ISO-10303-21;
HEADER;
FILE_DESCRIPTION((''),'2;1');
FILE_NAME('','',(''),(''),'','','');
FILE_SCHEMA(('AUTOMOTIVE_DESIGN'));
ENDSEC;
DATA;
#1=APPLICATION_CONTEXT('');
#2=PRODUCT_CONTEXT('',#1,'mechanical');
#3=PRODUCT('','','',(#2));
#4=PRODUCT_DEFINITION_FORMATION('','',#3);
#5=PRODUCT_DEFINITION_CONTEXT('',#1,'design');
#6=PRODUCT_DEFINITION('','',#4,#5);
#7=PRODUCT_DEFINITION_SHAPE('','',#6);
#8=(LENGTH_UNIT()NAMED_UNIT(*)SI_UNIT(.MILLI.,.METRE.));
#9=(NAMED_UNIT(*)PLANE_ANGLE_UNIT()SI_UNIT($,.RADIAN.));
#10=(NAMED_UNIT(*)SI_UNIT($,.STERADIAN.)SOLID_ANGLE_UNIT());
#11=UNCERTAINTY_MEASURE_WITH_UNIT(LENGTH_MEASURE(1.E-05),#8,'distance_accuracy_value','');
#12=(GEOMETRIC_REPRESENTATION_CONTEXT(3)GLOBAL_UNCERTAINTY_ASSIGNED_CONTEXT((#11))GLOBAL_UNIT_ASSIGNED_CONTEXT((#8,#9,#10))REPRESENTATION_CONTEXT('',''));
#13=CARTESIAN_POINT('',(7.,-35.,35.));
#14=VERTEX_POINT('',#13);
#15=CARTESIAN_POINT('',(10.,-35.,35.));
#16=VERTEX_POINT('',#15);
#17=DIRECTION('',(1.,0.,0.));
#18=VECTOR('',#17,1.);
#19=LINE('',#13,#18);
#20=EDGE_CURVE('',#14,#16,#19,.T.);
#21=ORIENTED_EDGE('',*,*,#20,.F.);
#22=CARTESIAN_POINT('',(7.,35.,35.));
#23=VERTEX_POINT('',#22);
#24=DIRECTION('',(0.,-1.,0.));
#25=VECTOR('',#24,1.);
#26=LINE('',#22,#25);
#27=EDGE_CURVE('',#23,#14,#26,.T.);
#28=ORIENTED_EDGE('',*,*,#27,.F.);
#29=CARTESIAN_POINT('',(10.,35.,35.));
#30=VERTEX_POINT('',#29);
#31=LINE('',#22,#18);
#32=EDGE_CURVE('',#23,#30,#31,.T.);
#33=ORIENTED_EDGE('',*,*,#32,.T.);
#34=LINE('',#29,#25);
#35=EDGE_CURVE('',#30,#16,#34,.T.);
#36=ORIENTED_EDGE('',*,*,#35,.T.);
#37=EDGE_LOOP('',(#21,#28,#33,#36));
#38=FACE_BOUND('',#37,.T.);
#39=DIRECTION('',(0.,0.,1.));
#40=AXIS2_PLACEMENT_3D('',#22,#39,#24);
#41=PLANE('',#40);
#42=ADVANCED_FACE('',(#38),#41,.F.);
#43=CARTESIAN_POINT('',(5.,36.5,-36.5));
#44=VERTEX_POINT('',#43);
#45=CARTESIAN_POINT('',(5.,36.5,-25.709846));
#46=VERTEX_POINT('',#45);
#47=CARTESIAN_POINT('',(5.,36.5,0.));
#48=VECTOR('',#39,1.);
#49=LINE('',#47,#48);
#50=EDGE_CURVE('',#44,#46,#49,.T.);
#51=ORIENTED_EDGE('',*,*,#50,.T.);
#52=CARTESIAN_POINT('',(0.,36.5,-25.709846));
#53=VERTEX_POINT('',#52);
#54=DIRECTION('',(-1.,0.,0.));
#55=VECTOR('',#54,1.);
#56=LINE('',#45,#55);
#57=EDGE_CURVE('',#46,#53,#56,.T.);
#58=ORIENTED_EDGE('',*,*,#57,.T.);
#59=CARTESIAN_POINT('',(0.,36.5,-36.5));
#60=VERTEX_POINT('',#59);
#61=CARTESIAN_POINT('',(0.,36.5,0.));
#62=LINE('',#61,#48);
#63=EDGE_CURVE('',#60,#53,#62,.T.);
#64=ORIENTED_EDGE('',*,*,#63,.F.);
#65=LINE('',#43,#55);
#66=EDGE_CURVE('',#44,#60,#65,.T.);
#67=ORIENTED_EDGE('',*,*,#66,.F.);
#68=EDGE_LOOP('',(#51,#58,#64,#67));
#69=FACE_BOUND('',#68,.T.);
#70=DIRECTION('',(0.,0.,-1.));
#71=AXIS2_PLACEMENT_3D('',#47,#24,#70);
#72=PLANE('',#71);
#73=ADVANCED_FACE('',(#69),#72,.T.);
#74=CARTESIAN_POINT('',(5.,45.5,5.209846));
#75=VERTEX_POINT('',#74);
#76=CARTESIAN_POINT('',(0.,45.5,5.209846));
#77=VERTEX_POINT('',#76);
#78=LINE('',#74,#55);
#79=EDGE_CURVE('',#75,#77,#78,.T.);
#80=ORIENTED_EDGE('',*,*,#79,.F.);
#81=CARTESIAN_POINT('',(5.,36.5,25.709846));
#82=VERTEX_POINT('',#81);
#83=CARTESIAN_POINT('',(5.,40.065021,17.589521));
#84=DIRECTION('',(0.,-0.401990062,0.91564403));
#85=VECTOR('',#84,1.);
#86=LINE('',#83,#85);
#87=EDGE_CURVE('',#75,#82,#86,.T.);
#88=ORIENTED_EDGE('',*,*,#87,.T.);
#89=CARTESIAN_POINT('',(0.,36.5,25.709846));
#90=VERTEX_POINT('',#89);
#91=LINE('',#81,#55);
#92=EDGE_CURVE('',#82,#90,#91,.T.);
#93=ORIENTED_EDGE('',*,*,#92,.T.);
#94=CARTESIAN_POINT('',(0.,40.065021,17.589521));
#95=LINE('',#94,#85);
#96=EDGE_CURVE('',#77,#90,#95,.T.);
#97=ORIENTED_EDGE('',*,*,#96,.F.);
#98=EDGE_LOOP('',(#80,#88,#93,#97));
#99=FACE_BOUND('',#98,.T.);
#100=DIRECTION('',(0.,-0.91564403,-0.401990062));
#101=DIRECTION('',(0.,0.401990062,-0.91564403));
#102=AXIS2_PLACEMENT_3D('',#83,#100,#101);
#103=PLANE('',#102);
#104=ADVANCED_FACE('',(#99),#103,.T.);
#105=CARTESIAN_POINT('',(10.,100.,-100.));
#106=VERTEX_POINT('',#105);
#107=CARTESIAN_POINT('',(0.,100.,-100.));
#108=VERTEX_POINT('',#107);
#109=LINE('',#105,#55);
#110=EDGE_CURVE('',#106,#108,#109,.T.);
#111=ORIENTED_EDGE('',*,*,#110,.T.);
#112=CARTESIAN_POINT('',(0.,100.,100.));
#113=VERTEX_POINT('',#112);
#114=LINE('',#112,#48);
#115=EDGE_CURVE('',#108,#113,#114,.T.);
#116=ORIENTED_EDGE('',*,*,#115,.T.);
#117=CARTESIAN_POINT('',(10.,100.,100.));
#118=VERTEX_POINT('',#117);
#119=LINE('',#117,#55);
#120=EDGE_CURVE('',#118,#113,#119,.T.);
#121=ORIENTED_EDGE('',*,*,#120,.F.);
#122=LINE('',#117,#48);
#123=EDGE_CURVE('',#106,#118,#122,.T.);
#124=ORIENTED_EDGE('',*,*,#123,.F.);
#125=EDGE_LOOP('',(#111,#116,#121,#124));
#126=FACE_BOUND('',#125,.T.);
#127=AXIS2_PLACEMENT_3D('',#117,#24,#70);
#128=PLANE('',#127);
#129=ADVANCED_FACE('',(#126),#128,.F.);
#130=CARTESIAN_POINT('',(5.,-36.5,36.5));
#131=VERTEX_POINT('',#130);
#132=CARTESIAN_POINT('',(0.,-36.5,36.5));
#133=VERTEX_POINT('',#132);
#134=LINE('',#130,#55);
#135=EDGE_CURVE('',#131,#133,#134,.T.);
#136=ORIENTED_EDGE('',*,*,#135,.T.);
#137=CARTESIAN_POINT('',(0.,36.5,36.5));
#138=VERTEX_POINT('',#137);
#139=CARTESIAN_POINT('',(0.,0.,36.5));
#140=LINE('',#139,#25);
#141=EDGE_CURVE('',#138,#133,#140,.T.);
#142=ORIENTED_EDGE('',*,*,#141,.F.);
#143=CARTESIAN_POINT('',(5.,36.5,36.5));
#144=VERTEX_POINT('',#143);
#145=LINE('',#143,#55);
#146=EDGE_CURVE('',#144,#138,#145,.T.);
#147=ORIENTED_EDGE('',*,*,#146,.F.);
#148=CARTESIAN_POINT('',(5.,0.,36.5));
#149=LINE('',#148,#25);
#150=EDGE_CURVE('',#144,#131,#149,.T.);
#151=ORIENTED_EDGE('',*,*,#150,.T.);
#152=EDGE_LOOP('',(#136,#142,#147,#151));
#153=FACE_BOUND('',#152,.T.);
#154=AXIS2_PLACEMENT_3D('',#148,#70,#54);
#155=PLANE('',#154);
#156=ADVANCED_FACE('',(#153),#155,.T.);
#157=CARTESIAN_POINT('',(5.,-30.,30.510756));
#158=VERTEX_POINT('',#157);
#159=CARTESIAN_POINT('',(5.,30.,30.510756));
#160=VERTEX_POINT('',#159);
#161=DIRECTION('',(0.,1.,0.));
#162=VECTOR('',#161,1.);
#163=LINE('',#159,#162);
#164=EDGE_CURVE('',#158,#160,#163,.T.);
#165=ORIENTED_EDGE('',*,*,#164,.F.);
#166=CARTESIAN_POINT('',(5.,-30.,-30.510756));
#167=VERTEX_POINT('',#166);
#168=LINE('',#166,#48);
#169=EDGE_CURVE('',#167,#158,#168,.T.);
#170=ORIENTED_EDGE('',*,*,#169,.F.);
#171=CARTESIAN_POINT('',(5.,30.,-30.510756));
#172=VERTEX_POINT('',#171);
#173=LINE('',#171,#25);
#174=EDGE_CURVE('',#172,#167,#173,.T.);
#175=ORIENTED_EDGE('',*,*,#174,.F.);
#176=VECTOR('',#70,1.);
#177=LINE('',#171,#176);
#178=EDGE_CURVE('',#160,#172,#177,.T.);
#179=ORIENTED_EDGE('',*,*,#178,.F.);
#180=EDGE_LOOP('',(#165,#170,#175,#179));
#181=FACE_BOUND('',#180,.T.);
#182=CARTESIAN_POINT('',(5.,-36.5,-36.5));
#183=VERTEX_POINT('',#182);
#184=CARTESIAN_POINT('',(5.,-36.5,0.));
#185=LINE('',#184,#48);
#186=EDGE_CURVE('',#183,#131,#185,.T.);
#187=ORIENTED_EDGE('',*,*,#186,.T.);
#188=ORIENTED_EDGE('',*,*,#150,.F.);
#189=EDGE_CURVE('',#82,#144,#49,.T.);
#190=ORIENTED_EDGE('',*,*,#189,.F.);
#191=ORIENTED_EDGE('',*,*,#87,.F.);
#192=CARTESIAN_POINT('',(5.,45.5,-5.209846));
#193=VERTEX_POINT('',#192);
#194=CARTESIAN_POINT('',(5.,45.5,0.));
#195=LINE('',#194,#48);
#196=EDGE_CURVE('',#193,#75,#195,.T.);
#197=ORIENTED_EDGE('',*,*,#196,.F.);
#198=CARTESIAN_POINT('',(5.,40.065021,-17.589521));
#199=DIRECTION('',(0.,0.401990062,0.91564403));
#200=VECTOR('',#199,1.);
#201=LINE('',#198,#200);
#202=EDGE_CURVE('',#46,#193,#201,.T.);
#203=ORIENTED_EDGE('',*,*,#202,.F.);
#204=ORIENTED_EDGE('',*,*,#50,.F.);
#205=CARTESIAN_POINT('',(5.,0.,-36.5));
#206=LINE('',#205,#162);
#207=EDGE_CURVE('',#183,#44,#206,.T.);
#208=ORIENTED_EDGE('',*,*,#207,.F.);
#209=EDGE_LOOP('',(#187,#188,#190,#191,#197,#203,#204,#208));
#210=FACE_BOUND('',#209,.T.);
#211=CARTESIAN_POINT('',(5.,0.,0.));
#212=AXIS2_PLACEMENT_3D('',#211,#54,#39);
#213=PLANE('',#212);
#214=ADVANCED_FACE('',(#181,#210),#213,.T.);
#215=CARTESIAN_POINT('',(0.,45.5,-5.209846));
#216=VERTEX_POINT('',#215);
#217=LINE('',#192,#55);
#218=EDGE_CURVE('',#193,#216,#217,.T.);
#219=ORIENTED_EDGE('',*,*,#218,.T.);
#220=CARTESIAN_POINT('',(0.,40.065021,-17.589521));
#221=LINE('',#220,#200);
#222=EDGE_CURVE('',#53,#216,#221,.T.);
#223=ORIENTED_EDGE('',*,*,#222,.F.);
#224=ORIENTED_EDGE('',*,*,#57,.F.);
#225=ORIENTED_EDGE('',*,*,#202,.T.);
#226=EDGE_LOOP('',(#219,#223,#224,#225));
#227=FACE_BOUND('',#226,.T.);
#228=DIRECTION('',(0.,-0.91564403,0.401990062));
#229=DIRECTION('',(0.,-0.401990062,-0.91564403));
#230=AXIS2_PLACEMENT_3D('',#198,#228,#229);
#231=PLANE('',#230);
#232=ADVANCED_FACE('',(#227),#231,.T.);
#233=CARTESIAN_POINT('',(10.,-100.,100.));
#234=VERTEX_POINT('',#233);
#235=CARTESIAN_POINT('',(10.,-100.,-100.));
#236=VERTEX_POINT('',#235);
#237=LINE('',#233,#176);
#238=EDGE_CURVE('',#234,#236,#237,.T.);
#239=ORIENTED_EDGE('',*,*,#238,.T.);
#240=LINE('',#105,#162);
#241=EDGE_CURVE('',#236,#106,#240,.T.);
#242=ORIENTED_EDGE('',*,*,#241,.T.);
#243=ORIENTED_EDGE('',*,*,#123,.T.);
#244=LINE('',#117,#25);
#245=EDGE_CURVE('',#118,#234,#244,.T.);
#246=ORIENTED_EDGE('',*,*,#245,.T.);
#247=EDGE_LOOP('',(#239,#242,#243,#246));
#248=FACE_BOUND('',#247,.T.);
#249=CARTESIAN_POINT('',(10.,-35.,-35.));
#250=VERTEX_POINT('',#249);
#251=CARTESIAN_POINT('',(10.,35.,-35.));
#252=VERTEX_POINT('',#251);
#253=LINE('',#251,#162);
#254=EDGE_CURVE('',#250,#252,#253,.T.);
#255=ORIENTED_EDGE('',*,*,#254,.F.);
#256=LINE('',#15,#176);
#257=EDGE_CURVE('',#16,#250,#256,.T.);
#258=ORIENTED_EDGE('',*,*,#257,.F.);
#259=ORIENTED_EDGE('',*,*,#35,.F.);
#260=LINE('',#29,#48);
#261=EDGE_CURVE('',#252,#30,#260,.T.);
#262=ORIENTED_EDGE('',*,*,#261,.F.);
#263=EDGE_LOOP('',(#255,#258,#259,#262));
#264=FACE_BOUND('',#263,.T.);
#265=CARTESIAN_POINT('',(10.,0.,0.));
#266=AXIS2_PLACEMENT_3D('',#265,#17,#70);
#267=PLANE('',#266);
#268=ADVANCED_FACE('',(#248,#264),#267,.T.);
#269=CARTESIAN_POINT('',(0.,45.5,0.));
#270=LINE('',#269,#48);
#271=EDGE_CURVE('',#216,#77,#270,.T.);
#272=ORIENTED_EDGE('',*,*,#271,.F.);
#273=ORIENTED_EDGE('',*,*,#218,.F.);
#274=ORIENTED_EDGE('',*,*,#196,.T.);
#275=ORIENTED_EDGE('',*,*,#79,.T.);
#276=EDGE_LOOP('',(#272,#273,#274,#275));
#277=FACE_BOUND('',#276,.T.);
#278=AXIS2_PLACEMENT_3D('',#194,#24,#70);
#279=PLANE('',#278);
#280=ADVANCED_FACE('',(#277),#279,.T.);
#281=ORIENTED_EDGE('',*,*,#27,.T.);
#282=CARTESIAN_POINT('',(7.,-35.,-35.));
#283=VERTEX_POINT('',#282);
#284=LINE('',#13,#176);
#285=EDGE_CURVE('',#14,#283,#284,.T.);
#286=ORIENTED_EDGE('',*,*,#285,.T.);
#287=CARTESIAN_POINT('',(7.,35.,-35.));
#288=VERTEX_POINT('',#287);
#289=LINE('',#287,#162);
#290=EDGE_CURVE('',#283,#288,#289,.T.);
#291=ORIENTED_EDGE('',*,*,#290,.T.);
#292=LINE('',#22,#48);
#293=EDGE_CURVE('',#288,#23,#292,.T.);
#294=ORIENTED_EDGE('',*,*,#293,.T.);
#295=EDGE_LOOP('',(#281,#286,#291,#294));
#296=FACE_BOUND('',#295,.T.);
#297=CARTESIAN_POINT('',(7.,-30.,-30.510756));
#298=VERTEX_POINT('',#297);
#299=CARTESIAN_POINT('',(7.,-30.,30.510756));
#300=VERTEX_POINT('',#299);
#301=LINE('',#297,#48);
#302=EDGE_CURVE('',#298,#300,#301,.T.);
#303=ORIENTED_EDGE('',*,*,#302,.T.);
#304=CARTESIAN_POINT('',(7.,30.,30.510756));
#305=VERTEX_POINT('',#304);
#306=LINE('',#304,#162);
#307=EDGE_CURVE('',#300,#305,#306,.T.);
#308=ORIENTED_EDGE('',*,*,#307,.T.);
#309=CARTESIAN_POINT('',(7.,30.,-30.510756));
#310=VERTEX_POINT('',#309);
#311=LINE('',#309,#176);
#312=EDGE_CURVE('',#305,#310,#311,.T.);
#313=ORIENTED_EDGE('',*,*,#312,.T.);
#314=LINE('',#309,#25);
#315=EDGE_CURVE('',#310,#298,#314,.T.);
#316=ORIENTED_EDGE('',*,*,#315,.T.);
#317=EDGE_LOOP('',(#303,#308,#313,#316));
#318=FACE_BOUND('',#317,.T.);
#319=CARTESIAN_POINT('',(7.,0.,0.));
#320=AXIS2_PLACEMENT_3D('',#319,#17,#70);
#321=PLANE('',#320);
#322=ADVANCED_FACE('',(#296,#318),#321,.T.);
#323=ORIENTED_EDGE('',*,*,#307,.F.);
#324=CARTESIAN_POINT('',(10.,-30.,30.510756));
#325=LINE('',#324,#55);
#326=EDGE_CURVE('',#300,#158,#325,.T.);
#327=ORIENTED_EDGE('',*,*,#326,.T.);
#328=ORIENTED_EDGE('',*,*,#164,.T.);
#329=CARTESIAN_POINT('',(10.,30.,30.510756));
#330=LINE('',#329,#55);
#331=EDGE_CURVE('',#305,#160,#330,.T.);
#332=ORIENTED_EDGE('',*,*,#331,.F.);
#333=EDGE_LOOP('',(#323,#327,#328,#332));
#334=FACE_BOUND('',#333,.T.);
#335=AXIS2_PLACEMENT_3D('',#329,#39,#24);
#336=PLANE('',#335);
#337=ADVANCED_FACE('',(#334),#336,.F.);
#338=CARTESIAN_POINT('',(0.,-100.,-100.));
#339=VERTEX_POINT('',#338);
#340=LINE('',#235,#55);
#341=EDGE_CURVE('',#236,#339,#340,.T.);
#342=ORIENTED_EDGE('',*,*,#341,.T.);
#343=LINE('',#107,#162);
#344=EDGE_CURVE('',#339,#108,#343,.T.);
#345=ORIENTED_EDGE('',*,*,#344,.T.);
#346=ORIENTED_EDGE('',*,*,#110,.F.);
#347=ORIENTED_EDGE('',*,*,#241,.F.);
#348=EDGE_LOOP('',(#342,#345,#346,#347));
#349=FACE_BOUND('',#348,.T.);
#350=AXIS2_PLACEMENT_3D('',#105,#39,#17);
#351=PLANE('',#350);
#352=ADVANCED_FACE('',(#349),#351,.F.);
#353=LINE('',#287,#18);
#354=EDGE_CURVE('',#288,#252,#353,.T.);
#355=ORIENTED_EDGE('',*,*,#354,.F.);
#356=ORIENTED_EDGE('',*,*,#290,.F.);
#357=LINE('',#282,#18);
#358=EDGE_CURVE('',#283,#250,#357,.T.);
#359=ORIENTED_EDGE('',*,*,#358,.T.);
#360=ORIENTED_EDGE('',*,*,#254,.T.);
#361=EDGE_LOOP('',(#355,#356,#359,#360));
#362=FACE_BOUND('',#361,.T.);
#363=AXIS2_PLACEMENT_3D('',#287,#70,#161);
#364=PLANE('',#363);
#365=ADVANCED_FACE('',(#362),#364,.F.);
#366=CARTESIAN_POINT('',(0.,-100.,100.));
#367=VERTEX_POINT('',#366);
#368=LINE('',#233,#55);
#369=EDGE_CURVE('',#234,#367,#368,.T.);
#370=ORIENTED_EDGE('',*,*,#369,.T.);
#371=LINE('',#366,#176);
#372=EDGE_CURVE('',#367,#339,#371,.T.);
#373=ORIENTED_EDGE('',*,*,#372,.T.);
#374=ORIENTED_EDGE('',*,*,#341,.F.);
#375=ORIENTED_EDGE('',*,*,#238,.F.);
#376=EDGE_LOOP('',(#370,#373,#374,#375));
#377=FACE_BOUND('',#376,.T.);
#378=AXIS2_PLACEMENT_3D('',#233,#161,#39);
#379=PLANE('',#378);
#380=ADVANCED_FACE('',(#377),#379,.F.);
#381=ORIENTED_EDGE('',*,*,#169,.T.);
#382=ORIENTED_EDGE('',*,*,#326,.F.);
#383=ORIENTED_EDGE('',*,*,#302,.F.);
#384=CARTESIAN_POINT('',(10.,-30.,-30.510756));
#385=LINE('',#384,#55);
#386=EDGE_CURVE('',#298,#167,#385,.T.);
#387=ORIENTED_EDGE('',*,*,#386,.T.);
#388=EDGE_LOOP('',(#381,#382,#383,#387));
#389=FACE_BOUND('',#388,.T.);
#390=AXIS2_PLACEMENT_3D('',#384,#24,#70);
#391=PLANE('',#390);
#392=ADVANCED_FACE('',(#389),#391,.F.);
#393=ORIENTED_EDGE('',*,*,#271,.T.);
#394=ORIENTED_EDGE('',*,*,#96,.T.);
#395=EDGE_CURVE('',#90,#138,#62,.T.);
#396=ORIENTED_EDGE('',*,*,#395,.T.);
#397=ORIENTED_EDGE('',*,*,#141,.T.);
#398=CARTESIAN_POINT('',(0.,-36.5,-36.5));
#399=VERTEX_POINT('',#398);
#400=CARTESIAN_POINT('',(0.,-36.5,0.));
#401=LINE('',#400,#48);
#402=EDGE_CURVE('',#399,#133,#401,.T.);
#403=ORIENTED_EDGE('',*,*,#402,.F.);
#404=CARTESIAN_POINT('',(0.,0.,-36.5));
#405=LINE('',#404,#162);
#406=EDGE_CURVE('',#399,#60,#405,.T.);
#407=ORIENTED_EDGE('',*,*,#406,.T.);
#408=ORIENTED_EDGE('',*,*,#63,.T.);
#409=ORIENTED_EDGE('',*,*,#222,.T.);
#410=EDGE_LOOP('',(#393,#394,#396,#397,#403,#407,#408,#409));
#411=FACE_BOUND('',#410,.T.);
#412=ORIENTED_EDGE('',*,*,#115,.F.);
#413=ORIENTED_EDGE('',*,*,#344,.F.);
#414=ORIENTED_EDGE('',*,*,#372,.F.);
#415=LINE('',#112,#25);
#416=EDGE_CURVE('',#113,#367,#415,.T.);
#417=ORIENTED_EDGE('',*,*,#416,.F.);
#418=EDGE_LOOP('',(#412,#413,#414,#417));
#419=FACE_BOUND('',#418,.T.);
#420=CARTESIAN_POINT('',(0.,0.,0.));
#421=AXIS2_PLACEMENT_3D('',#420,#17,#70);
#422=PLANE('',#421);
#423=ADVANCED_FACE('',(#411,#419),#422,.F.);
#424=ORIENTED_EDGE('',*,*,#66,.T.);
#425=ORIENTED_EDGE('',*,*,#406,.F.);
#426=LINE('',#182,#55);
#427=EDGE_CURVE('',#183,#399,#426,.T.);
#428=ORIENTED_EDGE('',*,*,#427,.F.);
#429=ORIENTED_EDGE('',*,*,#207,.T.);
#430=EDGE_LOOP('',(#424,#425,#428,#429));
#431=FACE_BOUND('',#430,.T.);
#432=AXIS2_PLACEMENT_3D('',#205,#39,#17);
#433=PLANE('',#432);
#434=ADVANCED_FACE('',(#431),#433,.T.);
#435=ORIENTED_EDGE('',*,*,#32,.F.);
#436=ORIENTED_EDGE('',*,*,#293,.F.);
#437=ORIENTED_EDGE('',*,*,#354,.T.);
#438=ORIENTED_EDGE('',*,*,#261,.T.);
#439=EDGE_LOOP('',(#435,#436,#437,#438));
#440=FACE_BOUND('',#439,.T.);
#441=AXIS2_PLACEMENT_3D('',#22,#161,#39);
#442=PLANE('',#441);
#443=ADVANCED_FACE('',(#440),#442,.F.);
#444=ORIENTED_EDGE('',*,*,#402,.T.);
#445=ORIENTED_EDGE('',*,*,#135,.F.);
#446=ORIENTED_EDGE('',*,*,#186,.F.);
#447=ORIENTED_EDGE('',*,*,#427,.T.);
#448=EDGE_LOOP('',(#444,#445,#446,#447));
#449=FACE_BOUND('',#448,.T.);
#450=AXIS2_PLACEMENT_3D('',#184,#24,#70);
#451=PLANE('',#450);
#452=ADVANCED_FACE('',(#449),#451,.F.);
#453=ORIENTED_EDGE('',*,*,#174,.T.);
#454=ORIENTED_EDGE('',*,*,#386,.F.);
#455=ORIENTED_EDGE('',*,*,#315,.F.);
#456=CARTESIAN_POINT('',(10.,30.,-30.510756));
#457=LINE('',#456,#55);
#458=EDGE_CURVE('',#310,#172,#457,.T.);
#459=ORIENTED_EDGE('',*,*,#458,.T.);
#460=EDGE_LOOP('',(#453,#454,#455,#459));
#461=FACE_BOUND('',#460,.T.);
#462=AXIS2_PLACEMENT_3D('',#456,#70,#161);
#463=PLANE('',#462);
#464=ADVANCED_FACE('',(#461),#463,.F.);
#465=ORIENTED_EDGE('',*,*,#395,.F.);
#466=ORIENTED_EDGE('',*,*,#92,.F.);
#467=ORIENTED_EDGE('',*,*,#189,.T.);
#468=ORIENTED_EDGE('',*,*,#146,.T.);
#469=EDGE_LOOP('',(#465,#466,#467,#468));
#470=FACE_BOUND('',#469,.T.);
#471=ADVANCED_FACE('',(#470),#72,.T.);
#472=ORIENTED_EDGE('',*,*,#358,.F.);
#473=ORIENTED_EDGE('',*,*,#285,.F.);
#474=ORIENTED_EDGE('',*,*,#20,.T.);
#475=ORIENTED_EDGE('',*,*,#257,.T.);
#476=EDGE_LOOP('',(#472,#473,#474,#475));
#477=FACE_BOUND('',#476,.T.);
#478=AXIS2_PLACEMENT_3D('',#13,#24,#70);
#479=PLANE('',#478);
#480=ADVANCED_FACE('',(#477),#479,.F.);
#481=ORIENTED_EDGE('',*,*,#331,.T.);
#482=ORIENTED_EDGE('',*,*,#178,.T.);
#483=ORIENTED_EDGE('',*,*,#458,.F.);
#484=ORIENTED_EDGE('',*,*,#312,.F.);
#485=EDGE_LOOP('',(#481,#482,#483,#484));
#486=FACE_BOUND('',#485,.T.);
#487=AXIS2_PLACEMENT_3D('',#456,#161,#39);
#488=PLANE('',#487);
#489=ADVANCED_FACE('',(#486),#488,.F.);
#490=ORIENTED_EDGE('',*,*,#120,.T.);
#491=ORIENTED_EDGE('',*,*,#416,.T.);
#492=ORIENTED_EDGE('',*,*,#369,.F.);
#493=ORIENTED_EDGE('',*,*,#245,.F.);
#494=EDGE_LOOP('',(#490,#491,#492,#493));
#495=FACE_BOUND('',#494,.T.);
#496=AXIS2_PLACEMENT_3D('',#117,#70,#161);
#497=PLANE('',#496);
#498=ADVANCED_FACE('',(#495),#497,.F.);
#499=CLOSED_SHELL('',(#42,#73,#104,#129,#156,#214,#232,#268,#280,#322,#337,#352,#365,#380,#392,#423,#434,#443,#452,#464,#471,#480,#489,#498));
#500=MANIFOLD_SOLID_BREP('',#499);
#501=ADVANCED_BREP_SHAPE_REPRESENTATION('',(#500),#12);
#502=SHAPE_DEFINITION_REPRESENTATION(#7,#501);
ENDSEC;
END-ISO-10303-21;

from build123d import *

# Parameters (mm, degrees)
SKETCH1_W           = 200
SKETCH1_H           = 200
BOSS_EXTRUDE1_DEPTH = 10
CUT_EXTRUDE1_DEPTH  = 5
SKETCH3_W           = 61.021512422
SKETCH3_H           = 60
CUT_EXTRUDE2_DEPTH  = 142.509716981
SKETCH4_W           = 70
SKETCH4_H           = 70
CUT_EXTRUDE3_DEPTH  = 3


with BuildPart() as part:
    # Sketch1 → Boss-Extrude1 (new body)
    with BuildSketch(Plane(origin=(0, 0, 0), x_dir=(0, 0, -1), z_dir=(1, 0, 0))):
        Rectangle(SKETCH1_W, SKETCH1_H)
    extrude(amount=BOSS_EXTRUDE1_DEPTH)

    # Sketch2 → Cut-Extrude1 (cut)
    with BuildSketch(Plane.ZY):
        Polygon((36.5, -36.5), (36.5, 36.5), (25.709845909, 36.5), (5.209845909, 45.5), (-5.209845909, 45.5), (-25.709845909, 36.5), (-36.5, 36.5), (-36.5, -36.5), align=None)
    extrude(amount=-CUT_EXTRUDE1_DEPTH, mode=Mode.SUBTRACT)

    # Sketch3 → Cut-Extrude2 (cut, through all)
    with BuildSketch(Plane.ZY.offset(-5)):
        Rectangle(SKETCH3_W, SKETCH3_H)
    extrude(amount=-CUT_EXTRUDE2_DEPTH, mode=Mode.SUBTRACT)

    # Sketch4 → Cut-Extrude3 (cut)
    with BuildSketch(Plane(origin=(10, 0, 0), x_dir=(0, 0, -1), z_dir=(1, 0, 0))):
        Rectangle(SKETCH4_W, SKETCH4_H)
    extrude(amount=-CUT_EXTRUDE3_DEPTH, mode=Mode.SUBTRACT)


solid = part.part
